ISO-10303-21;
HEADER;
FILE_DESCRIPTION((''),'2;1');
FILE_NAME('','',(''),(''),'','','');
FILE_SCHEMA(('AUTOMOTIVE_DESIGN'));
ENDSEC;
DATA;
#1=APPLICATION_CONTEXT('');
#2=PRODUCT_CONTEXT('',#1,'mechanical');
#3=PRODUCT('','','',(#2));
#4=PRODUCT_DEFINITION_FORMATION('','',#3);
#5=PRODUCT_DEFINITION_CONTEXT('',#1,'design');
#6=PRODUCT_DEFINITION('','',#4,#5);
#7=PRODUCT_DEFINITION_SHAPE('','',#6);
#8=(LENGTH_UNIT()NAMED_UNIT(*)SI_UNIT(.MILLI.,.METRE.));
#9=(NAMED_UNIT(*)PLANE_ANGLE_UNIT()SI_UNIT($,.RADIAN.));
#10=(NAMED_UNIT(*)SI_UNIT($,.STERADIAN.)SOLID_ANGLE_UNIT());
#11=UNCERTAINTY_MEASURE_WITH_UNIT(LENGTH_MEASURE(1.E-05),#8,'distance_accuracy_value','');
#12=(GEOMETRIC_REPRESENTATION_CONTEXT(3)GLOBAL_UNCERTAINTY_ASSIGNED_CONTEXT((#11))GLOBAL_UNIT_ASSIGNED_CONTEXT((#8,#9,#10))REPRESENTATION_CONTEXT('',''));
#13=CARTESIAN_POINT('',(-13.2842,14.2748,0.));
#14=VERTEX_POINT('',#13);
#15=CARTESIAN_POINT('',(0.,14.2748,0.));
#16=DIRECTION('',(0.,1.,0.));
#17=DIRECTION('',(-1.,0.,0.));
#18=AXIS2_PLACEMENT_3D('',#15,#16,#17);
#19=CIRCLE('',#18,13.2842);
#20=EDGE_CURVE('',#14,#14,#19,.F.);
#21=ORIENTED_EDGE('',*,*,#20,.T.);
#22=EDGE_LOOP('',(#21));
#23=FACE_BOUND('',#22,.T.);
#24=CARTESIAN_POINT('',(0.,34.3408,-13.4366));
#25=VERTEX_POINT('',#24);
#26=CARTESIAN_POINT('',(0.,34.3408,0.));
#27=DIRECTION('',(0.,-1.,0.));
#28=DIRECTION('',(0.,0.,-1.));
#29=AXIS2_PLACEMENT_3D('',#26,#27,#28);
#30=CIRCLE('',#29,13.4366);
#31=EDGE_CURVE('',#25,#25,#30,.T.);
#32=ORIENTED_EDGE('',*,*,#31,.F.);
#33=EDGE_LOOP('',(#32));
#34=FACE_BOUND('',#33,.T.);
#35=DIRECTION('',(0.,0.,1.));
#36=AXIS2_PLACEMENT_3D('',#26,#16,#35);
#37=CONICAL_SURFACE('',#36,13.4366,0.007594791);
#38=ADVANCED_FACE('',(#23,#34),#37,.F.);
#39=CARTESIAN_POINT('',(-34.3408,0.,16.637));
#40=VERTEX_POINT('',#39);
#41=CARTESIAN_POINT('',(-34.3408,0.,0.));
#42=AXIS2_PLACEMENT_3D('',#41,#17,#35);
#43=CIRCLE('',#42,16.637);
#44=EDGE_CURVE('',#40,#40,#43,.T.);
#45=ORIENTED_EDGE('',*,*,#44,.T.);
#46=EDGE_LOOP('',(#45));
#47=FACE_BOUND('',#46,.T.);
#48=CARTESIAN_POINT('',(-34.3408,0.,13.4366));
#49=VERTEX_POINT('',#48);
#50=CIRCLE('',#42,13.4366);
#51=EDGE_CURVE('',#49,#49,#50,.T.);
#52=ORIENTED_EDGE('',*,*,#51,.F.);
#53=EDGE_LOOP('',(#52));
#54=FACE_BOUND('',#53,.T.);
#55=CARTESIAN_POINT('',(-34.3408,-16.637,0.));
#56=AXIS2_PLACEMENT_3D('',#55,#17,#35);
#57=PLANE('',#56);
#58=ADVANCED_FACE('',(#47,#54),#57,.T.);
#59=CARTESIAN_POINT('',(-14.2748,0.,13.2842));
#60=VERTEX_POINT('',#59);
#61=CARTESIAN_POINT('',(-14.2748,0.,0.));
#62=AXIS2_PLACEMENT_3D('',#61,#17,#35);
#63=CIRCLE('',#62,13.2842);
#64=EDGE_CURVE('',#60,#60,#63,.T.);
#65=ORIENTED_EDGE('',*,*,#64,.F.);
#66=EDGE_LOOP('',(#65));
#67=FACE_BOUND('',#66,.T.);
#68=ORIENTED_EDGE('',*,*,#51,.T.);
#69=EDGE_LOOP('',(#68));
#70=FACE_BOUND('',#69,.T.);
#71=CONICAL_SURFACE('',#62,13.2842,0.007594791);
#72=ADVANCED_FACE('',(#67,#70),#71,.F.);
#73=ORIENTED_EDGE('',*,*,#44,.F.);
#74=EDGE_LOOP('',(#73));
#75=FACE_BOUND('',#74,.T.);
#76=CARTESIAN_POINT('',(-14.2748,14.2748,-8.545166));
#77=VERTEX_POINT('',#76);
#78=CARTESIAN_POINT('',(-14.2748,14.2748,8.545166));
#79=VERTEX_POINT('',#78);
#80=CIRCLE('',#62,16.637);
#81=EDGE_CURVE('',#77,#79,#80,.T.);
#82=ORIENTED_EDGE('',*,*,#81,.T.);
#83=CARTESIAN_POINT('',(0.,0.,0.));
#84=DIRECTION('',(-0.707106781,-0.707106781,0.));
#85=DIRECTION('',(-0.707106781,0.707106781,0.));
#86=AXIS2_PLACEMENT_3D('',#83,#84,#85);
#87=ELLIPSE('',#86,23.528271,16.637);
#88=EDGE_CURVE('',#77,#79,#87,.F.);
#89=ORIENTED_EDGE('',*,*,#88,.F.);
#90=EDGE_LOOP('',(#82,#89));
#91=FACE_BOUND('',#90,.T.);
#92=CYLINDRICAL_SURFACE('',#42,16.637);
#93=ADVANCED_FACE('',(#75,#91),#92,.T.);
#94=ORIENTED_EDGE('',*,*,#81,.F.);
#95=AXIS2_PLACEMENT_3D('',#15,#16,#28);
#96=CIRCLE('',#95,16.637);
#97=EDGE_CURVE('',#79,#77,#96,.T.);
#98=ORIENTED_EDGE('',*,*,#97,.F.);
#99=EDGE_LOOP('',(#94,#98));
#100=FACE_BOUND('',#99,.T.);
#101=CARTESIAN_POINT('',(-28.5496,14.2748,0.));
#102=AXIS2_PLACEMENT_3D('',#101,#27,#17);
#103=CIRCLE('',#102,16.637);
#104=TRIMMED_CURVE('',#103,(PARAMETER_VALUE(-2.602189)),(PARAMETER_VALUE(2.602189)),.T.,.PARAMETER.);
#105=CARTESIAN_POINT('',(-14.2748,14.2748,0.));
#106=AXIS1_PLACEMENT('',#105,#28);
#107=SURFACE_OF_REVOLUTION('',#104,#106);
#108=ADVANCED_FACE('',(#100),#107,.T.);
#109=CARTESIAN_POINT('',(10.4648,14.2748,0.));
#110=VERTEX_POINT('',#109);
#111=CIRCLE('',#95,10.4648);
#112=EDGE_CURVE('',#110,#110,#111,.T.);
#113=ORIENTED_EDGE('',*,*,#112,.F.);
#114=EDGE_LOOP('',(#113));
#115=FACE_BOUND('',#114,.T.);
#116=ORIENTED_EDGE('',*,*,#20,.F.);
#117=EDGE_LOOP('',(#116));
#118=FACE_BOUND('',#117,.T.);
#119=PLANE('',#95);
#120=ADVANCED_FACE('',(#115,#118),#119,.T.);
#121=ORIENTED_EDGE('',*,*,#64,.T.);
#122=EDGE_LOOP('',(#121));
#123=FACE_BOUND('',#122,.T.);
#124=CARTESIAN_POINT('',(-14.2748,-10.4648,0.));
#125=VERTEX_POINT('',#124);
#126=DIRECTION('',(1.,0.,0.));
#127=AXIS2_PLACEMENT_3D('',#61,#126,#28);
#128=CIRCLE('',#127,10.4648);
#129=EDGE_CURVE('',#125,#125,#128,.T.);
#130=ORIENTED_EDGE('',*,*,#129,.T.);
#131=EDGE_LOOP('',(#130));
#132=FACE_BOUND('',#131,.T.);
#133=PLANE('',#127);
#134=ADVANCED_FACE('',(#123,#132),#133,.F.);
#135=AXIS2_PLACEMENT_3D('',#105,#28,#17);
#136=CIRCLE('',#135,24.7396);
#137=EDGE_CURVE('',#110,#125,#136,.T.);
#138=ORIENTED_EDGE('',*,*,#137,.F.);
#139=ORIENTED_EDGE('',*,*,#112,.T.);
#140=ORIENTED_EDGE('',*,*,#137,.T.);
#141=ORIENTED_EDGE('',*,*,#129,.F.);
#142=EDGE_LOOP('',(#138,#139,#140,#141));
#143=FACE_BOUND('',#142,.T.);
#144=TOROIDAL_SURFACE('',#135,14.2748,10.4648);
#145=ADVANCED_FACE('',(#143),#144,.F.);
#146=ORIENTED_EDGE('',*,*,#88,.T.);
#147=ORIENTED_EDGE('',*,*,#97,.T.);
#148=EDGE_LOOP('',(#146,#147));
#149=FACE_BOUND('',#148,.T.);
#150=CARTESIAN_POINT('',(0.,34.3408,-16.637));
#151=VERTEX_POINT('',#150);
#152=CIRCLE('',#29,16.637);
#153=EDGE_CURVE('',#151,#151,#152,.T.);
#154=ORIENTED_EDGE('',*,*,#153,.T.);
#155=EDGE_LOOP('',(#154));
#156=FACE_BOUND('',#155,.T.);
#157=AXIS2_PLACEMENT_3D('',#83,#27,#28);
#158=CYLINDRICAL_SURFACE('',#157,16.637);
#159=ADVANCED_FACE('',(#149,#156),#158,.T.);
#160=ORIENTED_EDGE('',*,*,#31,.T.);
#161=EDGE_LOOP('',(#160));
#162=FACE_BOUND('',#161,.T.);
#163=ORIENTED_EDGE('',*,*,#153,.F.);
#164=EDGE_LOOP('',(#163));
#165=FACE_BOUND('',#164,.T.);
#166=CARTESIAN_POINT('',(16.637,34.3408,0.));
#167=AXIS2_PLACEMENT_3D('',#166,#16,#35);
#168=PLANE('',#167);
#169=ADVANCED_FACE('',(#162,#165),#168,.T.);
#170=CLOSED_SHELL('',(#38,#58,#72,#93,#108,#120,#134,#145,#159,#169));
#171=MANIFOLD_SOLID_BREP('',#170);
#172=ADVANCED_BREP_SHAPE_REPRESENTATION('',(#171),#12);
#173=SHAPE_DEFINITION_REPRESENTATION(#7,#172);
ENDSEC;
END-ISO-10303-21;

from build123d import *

# Parameters (mm, degrees)
SKETCH3_R   = 16.637
SKETCH3_R_2 = 10.4648


with BuildPart() as part:
    # Sketch1 → Revolve1 (revolve)
    with BuildSketch(Plane.XY):
        Polygon((-34.3408, -16.637), (-14.2748, -16.637), (-14.2748, -13.2842), (-34.3408, -13.4366), align=None)
    revolve(axis=Axis((-34.3408, 0, 0), (1, 0, 0)))



with BuildPart() as body_2:
    # Sketch2 → Revolve2 (revolve)
    with BuildSketch(Plane.XY):
        Polygon((13.4366, 34.3408), (13.2842, 14.2748), (16.637, 14.2748), (16.637, 34.3408), align=None)
    revolve(axis=Axis((0, 0, 0), (0, 1, 0)))


with BuildPart() as part_1:
    add(part.part)

    add(body_2.part)  # Sweep1 merges body 2
    # Sweep1: sweep along a path in Sketch4
    with BuildLine(Plane.XY) as sweep1_path:
        ThreePointArc((-14.2748, 0), (-4.180992, 4.180992), (0, 14.2748))
    # Sketch3 → Sweep1 (sweep)
    with BuildSketch(Plane(origin=(-14.2748, 0, 0), x_dir=(0, 0, -1), z_dir=(1, 0, 0))):
        Circle(SKETCH3_R)
        Circle(SKETCH3_R_2, mode=Mode.SUBTRACT)
    sweep(path=sweep1_path.line)


solid = part_1.part
